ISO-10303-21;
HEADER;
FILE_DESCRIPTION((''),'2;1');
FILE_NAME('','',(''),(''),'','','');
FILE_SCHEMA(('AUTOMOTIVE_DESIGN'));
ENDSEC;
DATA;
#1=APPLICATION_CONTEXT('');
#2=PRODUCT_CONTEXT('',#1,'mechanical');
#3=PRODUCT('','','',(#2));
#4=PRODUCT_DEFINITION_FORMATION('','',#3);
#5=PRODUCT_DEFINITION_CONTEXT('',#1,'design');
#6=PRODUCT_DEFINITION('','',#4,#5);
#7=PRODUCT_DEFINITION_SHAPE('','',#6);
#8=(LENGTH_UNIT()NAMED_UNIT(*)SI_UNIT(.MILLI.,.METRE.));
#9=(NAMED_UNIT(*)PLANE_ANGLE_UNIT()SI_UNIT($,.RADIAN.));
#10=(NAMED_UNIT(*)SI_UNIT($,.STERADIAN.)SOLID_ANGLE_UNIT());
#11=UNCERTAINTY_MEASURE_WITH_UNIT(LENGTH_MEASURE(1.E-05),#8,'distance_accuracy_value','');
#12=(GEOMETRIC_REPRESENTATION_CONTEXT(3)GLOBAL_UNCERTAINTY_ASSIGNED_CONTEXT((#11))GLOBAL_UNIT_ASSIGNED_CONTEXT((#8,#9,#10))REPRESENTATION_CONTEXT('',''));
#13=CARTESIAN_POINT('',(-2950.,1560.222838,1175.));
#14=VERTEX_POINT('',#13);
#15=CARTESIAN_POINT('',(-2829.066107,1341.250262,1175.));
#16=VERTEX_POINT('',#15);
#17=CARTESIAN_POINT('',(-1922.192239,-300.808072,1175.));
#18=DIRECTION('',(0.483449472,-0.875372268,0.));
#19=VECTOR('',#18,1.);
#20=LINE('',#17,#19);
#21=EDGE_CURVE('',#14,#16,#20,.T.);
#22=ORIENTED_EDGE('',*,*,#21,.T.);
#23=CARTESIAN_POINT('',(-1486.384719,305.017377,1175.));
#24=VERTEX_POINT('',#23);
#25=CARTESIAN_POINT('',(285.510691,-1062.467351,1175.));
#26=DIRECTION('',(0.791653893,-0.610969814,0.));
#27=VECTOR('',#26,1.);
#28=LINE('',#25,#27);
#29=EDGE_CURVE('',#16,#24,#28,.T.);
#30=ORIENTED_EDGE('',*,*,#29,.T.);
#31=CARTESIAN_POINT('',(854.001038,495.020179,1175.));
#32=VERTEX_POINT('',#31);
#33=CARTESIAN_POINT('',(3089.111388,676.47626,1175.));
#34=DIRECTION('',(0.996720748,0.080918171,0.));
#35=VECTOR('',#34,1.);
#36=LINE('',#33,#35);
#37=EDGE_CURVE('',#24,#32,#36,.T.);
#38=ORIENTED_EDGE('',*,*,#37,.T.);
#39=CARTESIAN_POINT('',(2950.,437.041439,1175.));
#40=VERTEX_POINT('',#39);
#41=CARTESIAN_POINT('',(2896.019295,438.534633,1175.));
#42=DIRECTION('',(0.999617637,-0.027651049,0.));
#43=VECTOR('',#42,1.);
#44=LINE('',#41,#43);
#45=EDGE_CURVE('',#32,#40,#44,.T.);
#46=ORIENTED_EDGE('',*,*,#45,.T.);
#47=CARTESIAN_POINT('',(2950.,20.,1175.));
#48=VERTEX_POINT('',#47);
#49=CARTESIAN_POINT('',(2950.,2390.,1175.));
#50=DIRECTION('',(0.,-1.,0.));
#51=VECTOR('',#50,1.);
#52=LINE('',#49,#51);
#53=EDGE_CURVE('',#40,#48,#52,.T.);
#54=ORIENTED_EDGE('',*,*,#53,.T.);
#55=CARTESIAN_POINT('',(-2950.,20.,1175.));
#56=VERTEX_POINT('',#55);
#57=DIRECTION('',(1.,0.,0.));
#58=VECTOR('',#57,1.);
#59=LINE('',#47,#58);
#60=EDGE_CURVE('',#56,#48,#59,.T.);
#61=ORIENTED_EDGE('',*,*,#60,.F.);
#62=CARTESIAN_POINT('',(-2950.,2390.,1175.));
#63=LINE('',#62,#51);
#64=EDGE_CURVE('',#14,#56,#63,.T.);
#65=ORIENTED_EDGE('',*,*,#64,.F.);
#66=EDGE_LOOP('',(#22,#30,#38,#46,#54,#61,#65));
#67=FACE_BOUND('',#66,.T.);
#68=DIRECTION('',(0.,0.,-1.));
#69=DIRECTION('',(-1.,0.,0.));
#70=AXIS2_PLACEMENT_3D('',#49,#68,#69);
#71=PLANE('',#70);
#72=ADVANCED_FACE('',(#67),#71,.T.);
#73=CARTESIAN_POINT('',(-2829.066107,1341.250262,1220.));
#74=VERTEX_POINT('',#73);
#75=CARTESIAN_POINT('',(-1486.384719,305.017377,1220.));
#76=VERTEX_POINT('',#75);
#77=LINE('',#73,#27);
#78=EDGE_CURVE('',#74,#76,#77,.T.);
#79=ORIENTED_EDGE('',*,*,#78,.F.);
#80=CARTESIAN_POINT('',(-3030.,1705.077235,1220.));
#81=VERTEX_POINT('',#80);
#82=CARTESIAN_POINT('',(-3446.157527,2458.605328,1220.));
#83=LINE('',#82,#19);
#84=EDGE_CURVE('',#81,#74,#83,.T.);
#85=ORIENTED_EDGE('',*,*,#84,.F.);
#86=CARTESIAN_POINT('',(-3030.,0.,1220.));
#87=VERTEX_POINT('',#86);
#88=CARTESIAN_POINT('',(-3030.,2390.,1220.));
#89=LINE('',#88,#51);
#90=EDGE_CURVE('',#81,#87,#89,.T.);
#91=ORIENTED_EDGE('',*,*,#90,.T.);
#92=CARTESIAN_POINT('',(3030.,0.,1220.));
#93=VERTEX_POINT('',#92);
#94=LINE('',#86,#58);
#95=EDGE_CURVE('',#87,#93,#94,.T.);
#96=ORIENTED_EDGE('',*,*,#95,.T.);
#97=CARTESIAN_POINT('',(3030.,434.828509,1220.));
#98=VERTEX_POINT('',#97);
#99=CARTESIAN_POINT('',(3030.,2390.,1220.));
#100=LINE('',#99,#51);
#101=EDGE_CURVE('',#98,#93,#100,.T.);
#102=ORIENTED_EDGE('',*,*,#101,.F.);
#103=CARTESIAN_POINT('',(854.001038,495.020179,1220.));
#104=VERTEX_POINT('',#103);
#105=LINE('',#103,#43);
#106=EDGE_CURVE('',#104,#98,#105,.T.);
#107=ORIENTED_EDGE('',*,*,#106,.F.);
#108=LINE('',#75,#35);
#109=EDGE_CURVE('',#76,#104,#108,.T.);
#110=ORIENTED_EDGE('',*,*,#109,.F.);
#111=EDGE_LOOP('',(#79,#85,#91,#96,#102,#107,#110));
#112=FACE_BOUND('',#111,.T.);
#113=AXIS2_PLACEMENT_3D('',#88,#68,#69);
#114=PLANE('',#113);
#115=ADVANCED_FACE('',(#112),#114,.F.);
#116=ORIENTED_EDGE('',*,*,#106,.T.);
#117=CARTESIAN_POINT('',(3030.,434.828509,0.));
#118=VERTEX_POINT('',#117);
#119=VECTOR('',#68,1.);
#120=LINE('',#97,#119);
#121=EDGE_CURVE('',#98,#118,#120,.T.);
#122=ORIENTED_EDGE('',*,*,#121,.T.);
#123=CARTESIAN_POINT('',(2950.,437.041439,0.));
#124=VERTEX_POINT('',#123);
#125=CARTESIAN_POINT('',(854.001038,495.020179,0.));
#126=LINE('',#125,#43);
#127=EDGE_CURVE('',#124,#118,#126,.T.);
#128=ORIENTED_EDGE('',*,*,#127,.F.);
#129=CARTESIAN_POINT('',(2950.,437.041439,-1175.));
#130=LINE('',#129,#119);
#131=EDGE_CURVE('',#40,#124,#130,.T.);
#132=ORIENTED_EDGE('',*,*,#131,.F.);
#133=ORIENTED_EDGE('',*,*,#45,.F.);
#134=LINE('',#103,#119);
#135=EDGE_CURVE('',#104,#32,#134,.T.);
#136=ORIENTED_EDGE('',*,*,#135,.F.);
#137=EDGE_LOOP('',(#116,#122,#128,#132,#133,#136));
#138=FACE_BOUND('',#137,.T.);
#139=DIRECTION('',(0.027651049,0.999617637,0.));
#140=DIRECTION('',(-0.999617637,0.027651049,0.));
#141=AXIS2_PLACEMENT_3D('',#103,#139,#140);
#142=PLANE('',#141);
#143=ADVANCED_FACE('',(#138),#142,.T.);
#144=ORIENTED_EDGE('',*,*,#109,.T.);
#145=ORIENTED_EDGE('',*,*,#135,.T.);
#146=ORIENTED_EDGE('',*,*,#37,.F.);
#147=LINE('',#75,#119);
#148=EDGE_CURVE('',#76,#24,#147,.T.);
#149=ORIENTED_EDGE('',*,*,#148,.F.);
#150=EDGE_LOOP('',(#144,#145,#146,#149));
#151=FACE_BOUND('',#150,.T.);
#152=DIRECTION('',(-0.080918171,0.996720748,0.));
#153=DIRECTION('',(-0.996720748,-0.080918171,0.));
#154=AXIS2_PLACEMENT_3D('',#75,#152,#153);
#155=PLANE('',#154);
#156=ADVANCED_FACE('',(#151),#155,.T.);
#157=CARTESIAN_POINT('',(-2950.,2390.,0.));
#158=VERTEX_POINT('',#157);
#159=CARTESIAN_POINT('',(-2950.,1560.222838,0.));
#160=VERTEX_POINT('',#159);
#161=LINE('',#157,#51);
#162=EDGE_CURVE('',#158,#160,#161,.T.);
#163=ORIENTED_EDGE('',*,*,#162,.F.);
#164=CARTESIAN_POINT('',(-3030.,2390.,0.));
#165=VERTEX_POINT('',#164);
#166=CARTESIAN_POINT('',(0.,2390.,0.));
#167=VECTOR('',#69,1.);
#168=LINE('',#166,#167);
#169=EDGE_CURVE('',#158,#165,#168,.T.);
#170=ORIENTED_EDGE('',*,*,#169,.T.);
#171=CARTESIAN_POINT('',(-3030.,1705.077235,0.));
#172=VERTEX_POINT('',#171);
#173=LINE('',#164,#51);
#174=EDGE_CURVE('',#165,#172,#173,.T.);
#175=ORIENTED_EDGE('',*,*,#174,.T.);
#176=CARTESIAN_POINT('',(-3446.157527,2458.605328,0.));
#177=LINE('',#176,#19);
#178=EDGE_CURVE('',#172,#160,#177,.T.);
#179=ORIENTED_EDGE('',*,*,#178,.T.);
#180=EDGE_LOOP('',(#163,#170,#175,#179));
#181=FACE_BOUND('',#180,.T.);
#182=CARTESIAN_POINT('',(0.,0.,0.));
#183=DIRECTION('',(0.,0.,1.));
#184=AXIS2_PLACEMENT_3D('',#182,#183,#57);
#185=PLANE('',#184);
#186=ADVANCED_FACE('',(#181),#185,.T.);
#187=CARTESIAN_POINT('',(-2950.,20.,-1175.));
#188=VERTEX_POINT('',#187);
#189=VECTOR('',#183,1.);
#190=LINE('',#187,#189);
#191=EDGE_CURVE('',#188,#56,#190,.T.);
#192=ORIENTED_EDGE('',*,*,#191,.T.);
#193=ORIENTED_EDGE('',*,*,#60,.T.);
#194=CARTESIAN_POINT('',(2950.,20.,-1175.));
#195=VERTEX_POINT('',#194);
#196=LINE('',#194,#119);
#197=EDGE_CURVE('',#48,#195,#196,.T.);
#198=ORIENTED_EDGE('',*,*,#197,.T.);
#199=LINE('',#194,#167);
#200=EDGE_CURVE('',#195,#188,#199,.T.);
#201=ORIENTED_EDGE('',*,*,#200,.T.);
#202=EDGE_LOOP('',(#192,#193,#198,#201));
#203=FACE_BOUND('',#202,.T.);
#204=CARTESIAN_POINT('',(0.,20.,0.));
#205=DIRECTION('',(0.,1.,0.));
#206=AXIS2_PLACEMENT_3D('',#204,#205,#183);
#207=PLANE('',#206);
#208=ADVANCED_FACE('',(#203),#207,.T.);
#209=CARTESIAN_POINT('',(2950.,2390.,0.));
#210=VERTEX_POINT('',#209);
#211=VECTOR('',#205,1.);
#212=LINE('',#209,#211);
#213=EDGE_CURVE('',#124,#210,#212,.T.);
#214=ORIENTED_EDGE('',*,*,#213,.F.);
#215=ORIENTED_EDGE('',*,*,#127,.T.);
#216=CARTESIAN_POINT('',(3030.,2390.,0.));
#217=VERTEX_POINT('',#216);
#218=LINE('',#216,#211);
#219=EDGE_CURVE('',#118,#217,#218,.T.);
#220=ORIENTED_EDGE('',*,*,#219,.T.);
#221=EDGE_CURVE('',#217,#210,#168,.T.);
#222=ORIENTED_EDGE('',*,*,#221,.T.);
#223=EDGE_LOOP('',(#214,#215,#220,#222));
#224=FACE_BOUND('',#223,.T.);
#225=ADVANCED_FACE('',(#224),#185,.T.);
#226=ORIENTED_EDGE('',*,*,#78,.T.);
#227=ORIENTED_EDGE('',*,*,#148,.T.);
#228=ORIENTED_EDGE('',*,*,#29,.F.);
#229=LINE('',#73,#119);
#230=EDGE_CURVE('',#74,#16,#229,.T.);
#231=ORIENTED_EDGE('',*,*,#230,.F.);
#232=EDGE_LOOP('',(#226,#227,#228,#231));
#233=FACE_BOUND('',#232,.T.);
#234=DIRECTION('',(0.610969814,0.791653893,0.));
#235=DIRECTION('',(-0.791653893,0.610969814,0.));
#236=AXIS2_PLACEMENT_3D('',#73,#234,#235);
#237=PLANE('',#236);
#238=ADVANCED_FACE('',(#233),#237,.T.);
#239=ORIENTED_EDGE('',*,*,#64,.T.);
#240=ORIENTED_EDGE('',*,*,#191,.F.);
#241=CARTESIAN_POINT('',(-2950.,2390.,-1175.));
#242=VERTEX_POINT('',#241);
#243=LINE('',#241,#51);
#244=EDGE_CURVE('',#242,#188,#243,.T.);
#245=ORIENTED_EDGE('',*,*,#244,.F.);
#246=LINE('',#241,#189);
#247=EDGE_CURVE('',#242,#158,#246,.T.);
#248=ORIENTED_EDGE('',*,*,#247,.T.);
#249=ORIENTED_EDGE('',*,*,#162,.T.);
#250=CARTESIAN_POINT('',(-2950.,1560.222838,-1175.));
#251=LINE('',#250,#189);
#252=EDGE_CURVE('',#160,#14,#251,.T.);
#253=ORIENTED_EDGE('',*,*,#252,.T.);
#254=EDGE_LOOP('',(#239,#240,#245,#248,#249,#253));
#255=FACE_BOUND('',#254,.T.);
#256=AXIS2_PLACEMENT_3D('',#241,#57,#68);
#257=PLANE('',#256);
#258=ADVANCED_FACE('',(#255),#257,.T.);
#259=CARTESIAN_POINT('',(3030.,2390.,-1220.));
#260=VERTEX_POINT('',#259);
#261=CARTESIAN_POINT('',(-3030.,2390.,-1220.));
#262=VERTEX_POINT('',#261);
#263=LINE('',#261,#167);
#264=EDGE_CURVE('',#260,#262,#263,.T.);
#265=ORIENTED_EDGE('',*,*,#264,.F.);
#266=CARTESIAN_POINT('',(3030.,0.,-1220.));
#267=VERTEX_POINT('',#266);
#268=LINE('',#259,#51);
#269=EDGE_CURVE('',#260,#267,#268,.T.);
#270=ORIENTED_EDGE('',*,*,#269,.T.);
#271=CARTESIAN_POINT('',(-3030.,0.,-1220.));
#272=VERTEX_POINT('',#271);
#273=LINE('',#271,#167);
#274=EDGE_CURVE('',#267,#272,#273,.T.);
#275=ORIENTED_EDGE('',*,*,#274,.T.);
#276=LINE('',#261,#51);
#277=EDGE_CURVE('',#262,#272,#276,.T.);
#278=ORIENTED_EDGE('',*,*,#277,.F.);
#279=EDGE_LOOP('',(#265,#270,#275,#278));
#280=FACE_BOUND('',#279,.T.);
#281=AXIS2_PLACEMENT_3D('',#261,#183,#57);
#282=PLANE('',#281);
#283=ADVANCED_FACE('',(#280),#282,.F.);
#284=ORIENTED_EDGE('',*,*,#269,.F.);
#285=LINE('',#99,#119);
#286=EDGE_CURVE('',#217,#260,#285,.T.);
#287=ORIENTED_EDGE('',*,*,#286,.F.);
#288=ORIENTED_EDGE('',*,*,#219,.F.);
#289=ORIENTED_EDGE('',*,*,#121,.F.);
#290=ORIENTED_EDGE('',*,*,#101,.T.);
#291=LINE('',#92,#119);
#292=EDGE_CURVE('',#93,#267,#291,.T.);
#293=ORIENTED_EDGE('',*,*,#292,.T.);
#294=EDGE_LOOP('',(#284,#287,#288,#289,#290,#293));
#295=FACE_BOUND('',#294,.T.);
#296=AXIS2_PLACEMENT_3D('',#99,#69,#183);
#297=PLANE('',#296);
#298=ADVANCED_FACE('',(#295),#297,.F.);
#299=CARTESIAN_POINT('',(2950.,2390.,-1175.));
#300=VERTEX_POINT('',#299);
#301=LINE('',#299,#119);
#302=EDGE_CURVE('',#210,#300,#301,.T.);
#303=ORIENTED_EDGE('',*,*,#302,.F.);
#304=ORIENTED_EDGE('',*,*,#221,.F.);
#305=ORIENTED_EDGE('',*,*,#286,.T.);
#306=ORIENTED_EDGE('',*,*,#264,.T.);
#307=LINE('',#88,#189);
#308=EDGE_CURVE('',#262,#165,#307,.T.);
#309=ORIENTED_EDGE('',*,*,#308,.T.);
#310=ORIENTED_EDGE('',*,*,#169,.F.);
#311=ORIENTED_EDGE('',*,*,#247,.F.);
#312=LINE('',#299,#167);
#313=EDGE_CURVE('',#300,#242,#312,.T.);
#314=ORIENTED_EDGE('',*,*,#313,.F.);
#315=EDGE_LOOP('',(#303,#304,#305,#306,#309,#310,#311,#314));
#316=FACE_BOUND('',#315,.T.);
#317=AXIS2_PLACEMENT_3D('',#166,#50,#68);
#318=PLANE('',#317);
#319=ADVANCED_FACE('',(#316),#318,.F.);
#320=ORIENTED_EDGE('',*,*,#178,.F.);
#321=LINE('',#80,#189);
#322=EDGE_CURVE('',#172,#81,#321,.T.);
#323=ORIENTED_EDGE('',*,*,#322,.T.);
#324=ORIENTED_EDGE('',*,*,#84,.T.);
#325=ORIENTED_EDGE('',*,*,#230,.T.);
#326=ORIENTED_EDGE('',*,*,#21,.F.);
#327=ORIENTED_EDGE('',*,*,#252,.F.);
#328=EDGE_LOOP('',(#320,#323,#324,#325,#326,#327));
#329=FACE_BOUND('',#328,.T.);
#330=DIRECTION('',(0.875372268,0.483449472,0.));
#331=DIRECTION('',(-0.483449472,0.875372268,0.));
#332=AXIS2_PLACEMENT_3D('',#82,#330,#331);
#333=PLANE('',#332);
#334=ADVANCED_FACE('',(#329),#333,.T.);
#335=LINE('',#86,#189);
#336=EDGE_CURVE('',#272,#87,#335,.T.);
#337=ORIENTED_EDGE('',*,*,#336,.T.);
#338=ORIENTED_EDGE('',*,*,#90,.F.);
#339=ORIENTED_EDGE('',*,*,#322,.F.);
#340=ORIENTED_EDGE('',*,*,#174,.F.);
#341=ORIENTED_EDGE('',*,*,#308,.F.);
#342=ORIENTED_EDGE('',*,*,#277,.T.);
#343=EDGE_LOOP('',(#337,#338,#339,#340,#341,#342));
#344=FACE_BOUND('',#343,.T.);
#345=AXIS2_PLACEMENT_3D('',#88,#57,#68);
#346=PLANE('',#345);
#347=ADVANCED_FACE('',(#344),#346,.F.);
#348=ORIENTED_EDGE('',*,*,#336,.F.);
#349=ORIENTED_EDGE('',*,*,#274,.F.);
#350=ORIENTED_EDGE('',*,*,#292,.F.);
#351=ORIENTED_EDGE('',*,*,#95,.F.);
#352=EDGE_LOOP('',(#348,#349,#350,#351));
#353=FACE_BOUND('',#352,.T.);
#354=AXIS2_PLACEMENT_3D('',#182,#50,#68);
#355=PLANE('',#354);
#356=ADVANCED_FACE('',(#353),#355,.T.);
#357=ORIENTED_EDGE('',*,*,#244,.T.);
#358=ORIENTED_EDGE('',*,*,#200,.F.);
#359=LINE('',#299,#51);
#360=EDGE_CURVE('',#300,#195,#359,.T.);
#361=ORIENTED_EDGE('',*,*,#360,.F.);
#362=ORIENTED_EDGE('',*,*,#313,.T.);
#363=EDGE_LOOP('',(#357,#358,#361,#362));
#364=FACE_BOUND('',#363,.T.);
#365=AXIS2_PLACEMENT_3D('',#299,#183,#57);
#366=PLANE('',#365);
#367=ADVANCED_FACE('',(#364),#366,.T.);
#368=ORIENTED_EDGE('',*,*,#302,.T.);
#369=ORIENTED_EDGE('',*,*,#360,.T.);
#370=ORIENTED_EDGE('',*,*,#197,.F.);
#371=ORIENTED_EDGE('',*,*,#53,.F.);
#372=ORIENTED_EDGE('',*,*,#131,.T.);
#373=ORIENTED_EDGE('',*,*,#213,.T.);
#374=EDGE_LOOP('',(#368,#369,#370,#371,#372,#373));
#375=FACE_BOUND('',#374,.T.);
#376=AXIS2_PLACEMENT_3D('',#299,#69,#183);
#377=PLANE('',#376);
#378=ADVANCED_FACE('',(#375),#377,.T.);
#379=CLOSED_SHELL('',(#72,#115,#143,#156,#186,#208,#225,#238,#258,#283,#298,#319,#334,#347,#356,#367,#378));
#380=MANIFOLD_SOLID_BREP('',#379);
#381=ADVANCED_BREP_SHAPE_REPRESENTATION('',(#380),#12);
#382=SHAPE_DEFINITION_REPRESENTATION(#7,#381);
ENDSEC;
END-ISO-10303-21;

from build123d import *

# Parameters (mm, degrees)
SKETCH1_W           = 6060
SKETCH1_H           = 2440
SKETCH1_W_2         = 5900
SKETCH1_H_2         = 2350
BOSS_EXTRUDE1_DEPTH = 2390
CUT_EXTRUDE1_DEPTH  = 4048.394223448
SKETCH3_W           = 6060
SKETCH3_H           = 2440
BOSS_EXTRUDE2_DEPTH = 20


with BuildPart() as part:
    # Sketch1 → Boss-Extrude1 (new body)
    with BuildSketch(Plane(origin=(0, 0, 0), x_dir=(1, 0, 0), z_dir=(0, 1, 0))):
        Rectangle(SKETCH1_W, SKETCH1_H)
        Rectangle(SKETCH1_W_2, SKETCH1_H_2, mode=Mode.SUBTRACT)
    extrude(amount=BOSS_EXTRUDE1_DEPTH)

    # Sketch2 → Cut-Extrude1 (cut, through all)
    with BuildSketch(Plane.XY):
        Polygon((-2829.06610651, 1341.250261684), (-1486.384719245, 305.017377158), (854.001038063, 495.020178739), (4288.412334885, 400.018777949), (4288.412334885, 2458.605327612), (-3446.157527287, 2458.605327612), align=None)
    extrude(amount=CUT_EXTRUDE1_DEPTH, mode=Mode.SUBTRACT)

    # Sketch3 → Boss-Extrude2 (add)
    with BuildSketch(Plane.XZ):
        Rectangle(SKETCH3_W, SKETCH3_H)
    extrude(amount=-BOSS_EXTRUDE2_DEPTH)


solid = part.part
